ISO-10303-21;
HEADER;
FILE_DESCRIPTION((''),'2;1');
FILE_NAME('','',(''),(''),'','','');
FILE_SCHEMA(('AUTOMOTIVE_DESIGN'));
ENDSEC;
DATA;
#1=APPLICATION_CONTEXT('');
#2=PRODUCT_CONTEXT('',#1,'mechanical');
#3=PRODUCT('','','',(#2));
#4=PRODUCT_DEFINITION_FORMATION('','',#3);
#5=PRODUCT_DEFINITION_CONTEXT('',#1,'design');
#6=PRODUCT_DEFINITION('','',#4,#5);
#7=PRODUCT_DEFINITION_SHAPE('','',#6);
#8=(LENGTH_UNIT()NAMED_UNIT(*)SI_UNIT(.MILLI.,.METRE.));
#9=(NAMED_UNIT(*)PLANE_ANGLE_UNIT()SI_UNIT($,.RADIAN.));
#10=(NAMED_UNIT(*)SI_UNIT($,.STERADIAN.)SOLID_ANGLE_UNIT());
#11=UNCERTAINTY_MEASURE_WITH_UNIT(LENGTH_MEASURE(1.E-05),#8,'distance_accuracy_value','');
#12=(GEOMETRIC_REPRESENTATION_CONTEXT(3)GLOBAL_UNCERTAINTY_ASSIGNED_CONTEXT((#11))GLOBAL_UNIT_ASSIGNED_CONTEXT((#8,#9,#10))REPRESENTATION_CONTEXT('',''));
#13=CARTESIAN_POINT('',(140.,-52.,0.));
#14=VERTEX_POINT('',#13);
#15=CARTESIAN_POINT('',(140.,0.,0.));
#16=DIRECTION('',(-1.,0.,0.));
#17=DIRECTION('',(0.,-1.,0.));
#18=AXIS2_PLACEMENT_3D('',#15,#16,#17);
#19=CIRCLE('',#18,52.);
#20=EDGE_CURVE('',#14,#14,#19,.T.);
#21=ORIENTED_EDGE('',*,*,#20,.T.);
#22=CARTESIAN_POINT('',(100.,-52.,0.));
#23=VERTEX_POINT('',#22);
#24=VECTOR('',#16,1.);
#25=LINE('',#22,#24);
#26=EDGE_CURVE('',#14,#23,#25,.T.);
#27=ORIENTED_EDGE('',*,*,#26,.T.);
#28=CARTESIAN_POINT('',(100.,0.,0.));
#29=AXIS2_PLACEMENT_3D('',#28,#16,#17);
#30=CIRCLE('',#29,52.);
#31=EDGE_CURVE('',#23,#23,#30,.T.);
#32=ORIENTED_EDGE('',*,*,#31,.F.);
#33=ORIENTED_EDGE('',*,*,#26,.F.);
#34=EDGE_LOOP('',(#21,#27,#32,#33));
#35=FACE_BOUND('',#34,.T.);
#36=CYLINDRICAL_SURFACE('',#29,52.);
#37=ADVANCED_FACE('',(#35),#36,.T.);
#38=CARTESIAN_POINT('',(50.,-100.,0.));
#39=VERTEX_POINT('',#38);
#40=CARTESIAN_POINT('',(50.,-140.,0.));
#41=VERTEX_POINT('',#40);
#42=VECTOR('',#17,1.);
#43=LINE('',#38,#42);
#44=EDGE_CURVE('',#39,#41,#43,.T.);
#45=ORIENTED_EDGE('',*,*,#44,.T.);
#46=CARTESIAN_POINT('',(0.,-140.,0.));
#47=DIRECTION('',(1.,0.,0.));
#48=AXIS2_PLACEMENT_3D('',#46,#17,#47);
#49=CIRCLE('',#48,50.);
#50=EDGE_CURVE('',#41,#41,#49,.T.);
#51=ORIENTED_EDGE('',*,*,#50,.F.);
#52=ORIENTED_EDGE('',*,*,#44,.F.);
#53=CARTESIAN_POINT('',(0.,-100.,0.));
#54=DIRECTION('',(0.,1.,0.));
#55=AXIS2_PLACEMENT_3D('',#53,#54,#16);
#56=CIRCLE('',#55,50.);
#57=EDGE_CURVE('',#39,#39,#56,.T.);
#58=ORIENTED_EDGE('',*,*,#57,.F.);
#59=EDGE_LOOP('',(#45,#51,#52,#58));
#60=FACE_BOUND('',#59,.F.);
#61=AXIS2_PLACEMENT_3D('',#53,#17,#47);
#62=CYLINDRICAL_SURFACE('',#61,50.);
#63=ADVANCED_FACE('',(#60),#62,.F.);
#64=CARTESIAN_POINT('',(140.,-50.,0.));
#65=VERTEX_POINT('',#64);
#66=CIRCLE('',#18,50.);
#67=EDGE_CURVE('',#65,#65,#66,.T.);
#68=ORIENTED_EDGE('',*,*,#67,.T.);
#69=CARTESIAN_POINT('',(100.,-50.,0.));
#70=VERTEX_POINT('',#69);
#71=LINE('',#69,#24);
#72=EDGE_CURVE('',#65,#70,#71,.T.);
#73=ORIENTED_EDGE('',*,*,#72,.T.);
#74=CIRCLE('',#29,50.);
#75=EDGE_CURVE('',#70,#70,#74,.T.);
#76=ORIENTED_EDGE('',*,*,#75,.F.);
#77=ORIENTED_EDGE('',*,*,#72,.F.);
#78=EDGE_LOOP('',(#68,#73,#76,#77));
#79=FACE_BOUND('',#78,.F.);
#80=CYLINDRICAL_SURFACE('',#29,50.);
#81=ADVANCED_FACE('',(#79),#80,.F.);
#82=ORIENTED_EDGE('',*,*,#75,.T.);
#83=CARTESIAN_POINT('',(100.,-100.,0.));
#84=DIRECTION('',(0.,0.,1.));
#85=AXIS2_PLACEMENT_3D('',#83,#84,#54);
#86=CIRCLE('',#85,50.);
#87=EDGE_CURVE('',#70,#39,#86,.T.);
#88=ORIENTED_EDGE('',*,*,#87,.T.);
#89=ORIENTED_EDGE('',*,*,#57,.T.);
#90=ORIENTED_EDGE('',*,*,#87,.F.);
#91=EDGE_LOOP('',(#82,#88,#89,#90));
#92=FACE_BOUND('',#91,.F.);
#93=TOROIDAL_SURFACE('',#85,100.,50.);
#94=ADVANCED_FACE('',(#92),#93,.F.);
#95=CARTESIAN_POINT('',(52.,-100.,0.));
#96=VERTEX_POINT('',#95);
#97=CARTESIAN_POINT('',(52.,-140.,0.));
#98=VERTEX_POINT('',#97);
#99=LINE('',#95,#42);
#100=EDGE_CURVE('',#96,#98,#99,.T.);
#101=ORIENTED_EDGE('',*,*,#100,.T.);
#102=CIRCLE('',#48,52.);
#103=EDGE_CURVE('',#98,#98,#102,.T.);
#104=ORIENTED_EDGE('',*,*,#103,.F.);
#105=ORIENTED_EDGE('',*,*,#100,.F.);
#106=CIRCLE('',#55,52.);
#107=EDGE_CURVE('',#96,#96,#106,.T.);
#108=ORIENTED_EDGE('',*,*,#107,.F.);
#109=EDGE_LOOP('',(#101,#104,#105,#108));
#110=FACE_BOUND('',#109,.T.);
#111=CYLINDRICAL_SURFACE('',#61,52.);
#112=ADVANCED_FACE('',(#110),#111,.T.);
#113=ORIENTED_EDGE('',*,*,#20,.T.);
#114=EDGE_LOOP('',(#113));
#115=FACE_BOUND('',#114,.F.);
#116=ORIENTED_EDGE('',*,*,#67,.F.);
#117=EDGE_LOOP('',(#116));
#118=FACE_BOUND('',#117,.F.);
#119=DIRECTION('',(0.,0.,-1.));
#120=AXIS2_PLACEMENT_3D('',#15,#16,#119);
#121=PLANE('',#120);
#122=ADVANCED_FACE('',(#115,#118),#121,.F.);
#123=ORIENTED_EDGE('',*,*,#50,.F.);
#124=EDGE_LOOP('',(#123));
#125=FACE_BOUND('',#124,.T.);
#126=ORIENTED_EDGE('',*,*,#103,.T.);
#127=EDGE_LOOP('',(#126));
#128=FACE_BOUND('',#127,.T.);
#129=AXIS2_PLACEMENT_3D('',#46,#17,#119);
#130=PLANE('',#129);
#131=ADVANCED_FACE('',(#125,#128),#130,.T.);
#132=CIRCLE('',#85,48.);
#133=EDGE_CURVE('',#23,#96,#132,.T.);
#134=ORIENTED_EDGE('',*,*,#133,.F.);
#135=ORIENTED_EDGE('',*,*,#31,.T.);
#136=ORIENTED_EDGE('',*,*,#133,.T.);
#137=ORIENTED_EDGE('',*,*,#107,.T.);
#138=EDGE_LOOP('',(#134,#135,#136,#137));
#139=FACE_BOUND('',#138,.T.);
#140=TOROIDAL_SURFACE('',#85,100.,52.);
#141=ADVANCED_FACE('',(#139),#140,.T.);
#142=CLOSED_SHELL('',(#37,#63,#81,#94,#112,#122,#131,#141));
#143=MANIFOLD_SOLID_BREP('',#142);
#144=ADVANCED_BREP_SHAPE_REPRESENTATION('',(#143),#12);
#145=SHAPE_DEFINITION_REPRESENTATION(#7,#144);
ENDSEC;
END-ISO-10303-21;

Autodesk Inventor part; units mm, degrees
ref_plane "YZ Plane" through (0, 0, 0) normal (1, 0, 0) x (0, 1, 0)
ref_plane "XZ Plane" through (0, 0, 0) normal (0, 1, 0) x (-1, 0, 0)
sketch "Szkic6" plane through (0, 0, 0) normal (0, 0, 1) x (1, 0, 0)
  line L0 (-29.6067, 0) -> (35.2678, 0) construction
  line L1 (0, 42.3419) -> (0, -58.3726) construction
  arc A0 (100, 0) -> (0, -100) centre (100, -100) ccw
  line L2 (0, -100) -> (100, -100) construction
  line L3 (100, -100) -> (100, -34.4669) construction
  line L4 (100, 0) -> (140, 0)
  line L5 (0, -100) -> (0, -140)
  point P0 (0, 0)
  dimension "d24" = 100
  dimension "d31" = 90
  dimension "d36" = 40
  dimension "d37" = 40
ref_plane "Płaszczyzna konstrukcyjna2" through (0, -100, 0) normal (0, -1, 0) x (1, 0, 0)
sketch "Szkic8" plane through (0, -100, 0) normal (0, -1, 0) x (1, 0, 0)
  circle A0 centre (0, 0) radius 52
  circle A1 centre (0, 0) radius 50
  dimension "d32" = 104
  dimension "d33" = 2
sweep "Przeciągnięcie2" add profiles "Szkic8" path "Szkic6"
equation "\"d32\" = OD"
equation "\"d33\" = THK"
equation "\"d24\" = R"
equation "\"d31\" = KAT"
equation "\"d36\" = PROSTKA"
equation "\"d37\" = PROSTKA"
equation "\"SzerokośćGięciaPodcięcia\" = Grubość"
equation "\"RozmiarPodcięciaNarożnika\" = 4 * Grubość"
equation "\"PromieńPrzejścia\" = PromieńGięcia"
equation "\"Rozmiar_promienia_Jacobiego\" = PromieńGięcia"
equation "\"Wielk_odstępu\" = Grubość"
equation "\"d2\" = PromieńGięcia"
equation "\"d23\" = PromieńGięcia"
equation "\"R\" = 100"
equation "\"OD\" = 104"
equation "\"THK\" = 2"
equation "\"KAT\" = 90deg"
equation "\"PROSTKA\" = 40"
equation "\"Grubość\" = 1.5"
equation "\"PromieńGięcia\" = 3"
properties part number "Kolano 90° ø104x2 R100" material "304L"
